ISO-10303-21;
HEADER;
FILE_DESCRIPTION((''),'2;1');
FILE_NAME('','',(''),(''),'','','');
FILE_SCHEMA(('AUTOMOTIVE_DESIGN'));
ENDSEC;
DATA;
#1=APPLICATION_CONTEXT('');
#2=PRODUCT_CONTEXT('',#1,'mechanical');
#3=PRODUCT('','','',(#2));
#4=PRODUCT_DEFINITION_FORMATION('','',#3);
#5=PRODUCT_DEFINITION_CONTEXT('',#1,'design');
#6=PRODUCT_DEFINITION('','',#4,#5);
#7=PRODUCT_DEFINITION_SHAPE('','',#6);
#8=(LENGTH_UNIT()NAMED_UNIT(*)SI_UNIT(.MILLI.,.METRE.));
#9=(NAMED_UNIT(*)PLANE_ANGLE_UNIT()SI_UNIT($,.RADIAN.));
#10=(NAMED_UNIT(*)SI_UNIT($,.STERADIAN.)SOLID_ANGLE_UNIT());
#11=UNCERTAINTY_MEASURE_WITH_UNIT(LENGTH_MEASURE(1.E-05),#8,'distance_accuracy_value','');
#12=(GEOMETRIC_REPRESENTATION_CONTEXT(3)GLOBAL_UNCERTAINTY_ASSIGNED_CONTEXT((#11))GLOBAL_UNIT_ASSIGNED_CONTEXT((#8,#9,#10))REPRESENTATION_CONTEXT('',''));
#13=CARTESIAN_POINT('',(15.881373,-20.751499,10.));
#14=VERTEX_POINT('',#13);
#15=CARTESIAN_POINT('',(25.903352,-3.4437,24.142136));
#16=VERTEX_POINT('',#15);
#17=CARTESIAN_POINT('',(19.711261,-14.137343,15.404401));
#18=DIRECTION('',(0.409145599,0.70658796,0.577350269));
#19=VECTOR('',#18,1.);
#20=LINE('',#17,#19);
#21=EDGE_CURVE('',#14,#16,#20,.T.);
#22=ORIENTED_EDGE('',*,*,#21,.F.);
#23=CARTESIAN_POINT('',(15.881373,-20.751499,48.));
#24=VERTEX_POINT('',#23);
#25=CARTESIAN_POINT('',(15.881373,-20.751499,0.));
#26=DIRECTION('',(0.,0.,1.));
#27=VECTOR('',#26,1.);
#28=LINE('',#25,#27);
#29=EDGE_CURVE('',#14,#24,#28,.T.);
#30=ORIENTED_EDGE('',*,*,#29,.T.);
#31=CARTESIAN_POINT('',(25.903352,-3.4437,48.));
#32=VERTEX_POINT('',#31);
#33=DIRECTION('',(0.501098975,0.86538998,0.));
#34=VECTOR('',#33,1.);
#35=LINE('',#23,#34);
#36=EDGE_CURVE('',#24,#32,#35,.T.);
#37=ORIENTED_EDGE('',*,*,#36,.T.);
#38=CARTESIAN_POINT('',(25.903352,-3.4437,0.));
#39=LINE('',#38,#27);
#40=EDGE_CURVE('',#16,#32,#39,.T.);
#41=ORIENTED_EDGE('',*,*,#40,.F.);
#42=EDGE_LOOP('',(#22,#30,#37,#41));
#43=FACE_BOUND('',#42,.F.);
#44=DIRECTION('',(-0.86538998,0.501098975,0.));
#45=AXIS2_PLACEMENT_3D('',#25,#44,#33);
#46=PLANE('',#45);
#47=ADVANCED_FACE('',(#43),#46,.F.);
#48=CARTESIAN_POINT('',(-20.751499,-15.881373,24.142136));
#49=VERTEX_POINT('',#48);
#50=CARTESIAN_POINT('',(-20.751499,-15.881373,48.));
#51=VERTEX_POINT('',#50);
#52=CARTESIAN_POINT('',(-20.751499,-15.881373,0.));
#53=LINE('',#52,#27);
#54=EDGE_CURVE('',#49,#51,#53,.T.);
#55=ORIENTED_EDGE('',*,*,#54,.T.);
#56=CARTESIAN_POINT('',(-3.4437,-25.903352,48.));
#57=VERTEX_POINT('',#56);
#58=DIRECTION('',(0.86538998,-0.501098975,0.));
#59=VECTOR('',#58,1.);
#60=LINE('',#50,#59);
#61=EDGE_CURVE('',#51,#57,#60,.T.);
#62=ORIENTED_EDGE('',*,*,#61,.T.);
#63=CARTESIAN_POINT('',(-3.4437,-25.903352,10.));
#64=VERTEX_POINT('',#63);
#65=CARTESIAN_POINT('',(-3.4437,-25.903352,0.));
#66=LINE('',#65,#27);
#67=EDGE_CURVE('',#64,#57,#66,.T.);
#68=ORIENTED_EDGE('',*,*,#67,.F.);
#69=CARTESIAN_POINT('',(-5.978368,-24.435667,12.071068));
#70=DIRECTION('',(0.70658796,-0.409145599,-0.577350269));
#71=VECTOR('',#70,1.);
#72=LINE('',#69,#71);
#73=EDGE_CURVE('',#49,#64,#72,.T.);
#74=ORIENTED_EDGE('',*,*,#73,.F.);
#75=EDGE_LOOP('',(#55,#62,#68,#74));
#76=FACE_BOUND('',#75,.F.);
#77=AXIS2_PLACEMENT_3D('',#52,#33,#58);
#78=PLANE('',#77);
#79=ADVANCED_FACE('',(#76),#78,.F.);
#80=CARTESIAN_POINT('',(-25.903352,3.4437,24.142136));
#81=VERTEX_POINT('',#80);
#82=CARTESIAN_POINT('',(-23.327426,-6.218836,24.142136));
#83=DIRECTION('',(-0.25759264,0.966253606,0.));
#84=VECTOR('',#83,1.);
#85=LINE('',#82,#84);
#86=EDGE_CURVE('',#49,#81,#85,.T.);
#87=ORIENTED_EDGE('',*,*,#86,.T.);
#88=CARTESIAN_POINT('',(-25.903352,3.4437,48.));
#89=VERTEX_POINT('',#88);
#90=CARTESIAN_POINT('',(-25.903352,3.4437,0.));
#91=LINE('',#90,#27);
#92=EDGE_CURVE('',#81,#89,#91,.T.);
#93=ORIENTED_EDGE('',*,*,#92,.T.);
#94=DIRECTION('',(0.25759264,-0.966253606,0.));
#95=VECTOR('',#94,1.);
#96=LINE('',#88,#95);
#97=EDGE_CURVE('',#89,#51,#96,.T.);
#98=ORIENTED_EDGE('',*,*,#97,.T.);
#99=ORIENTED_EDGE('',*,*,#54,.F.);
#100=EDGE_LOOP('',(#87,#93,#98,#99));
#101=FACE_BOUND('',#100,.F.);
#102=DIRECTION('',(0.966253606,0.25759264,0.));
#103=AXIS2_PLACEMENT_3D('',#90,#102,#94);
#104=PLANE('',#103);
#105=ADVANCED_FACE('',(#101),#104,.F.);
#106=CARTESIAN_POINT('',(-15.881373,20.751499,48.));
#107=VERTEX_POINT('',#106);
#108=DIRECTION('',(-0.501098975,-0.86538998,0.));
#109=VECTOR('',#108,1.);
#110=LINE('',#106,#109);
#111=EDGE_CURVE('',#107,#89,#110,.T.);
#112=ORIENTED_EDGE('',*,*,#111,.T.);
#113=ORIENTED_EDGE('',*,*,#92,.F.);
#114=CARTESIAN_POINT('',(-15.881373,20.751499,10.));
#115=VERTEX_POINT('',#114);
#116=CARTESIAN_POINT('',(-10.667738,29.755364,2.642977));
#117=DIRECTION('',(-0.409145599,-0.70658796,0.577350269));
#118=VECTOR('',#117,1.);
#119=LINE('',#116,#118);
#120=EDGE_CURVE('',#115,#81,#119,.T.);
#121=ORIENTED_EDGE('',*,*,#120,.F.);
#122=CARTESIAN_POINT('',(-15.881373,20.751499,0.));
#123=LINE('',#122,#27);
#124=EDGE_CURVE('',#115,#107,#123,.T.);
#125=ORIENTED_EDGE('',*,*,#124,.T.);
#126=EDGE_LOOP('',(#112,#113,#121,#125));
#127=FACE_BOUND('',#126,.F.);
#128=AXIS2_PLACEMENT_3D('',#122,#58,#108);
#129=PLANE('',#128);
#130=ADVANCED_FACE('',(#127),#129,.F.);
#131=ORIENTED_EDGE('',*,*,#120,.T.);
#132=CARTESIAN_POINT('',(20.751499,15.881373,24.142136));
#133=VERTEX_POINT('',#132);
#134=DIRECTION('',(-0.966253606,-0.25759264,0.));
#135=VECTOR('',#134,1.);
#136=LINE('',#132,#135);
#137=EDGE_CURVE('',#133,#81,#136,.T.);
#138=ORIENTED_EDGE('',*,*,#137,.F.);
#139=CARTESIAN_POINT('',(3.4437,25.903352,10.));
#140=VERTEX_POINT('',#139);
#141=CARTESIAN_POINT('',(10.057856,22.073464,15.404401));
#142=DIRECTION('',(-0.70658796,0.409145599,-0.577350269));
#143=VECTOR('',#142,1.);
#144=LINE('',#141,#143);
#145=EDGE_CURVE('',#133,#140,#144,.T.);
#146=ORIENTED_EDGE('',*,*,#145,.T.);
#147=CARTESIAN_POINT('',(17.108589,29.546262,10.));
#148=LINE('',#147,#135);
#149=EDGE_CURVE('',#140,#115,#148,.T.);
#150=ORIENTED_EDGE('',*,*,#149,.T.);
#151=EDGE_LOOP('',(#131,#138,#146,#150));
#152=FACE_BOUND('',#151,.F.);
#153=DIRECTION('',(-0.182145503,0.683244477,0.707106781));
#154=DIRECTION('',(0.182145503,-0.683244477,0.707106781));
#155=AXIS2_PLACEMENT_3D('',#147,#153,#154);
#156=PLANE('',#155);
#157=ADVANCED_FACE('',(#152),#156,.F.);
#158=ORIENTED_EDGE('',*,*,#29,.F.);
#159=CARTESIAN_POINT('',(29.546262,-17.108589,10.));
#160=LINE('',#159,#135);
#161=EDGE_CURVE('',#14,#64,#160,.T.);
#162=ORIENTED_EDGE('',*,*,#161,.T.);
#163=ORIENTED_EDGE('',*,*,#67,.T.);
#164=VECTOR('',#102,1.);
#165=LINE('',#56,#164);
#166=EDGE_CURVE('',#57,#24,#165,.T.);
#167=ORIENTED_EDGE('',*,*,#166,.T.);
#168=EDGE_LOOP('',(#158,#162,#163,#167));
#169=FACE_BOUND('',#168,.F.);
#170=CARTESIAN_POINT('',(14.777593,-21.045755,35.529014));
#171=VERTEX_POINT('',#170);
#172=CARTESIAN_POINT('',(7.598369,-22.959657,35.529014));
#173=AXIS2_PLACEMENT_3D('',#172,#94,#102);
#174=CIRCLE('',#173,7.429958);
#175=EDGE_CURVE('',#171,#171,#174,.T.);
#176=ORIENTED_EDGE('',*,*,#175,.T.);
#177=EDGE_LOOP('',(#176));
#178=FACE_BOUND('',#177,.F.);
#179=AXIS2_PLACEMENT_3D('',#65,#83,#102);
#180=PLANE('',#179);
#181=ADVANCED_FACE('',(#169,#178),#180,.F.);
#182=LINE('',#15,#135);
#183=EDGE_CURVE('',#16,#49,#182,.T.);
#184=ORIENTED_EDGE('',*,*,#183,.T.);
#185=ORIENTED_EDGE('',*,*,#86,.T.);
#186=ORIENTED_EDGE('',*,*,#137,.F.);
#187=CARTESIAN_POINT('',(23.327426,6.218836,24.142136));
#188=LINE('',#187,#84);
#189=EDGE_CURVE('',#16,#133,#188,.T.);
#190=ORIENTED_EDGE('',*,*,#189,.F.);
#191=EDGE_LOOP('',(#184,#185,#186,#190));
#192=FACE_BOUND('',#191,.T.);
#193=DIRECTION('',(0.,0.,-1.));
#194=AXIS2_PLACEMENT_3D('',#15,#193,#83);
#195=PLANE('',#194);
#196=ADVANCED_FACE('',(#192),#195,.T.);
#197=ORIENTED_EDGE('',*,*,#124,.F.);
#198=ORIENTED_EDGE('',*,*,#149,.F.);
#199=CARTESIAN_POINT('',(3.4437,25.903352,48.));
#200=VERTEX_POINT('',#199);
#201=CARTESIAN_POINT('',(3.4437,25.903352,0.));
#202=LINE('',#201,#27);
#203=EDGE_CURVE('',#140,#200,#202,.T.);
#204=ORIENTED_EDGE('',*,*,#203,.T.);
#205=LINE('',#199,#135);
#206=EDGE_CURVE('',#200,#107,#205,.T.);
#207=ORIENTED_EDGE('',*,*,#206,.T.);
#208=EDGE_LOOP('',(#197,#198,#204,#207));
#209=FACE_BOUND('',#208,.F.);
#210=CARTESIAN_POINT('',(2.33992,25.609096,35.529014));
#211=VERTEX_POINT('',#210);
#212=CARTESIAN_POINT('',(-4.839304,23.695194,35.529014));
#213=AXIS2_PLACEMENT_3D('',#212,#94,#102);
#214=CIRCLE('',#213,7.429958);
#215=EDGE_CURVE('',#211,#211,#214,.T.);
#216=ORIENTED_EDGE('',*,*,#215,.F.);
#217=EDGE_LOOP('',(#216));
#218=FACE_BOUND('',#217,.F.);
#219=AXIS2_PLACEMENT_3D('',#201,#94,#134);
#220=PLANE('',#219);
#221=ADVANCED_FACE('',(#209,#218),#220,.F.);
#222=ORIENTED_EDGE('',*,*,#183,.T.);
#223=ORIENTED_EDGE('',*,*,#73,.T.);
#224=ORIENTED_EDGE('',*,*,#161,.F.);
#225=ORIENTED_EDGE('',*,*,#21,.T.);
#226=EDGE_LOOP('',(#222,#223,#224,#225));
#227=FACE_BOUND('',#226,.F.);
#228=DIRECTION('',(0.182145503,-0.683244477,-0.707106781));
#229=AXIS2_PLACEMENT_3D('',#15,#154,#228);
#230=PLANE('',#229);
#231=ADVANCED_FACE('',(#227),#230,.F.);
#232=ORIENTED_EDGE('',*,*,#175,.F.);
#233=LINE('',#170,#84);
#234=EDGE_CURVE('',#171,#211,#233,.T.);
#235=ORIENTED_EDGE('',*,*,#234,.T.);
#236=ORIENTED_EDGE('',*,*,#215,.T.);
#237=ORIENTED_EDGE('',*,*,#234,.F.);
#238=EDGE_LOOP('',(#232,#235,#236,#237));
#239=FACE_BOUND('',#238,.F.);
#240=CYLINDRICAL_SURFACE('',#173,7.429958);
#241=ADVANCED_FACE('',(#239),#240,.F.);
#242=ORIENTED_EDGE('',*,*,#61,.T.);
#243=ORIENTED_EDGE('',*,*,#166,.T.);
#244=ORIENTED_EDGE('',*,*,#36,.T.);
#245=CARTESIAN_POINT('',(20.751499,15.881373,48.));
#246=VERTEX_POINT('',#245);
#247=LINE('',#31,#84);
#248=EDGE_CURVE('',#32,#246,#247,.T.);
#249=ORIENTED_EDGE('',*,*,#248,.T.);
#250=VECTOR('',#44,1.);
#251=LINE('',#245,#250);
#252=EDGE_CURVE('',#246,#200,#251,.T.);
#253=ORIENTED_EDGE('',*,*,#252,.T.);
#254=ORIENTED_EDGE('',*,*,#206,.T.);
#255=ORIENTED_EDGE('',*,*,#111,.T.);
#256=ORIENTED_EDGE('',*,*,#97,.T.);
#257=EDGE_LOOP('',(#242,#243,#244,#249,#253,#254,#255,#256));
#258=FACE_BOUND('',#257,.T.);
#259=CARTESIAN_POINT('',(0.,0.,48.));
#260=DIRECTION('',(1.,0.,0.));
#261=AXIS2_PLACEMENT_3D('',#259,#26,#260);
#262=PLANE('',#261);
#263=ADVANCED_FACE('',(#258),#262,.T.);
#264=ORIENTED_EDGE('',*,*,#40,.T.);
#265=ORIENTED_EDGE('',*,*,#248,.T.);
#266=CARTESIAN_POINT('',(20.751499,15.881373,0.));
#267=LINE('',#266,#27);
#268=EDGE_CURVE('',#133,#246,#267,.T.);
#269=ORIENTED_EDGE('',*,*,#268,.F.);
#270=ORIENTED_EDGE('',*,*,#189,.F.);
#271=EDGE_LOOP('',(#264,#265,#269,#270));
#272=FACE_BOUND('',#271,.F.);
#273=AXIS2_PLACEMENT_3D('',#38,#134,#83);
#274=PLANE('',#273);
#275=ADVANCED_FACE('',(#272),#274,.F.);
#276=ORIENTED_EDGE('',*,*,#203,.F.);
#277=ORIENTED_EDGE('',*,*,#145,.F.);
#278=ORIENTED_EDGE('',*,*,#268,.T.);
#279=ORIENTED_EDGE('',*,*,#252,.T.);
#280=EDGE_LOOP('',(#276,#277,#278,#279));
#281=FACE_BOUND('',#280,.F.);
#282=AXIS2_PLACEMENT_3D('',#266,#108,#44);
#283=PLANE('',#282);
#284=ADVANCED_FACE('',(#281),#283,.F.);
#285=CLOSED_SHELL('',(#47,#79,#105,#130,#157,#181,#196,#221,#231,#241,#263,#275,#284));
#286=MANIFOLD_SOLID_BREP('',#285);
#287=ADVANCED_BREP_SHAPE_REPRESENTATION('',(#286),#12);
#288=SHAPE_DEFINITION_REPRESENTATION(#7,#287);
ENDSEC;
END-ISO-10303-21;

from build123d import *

# Parameters (mm, degrees)
F1_DEPTH = 48
F2_W     = 20
F2_H     = 24.1421356237
F3_DEPTH = 55.8448557599
F4_R     = 7.4299584593
F5_DEPTH = 55.8448557599


with BuildPart() as f1:
    # F0 (on Top) → F1 (new body)
    with BuildSketch(Plane.XY):
        Polygon((-15.8813725217, 20.7514992061), (-25.9033520131, 3.4436996038), (-20.7514992061, -15.8813725217), (-3.4436996038, -25.9033520131), (15.8813725217, -20.7514992061), (25.9033520131, -3.4436996038), (20.7514992061, 15.8813725217), (3.4436996038, 25.9033520131), align=None)
    extrude(amount=F1_DEPTH)

    # F2 (on face) → F3 (cut, through all)
    with BuildSketch(Plane(origin=(23.3274256096, 6.218836459, 0), x_dir=(-0.2575926403, 0.9662536063, 0), z_dir=(0.9662536063, 0.2575926403, 0))):
        Polygon((-10, 24.1421356237), (-24.1421356237, 10), (-24.1421356237, -10), (-10, -24.1421356237), (10, -24.1421356237), (24.1421356237, -10), (24.1421356237, 10), (10, 24.1421356237), (10, 0), (-10, 0), align=None)
        with Locations((0, 12.0710678119)):
            Rectangle(F2_W, F2_H)
    extrude(amount=-F3_DEPTH, mode=Mode.SUBTRACT)

    # F4 (on face) → F5 (cut, through all)
    with BuildSketch(Plane(origin=(6.218836459, -23.3274256096, 0), x_dir=(0.9662536063, 0.2575926403, 0), z_dir=(0.2575926403, -0.9662536063, 0))):
        with Locations((1.4277122682, 35.5290137231)):
            Circle(F4_R)
    extrude(amount=-F5_DEPTH, mode=Mode.SUBTRACT)


solid = f1.part
